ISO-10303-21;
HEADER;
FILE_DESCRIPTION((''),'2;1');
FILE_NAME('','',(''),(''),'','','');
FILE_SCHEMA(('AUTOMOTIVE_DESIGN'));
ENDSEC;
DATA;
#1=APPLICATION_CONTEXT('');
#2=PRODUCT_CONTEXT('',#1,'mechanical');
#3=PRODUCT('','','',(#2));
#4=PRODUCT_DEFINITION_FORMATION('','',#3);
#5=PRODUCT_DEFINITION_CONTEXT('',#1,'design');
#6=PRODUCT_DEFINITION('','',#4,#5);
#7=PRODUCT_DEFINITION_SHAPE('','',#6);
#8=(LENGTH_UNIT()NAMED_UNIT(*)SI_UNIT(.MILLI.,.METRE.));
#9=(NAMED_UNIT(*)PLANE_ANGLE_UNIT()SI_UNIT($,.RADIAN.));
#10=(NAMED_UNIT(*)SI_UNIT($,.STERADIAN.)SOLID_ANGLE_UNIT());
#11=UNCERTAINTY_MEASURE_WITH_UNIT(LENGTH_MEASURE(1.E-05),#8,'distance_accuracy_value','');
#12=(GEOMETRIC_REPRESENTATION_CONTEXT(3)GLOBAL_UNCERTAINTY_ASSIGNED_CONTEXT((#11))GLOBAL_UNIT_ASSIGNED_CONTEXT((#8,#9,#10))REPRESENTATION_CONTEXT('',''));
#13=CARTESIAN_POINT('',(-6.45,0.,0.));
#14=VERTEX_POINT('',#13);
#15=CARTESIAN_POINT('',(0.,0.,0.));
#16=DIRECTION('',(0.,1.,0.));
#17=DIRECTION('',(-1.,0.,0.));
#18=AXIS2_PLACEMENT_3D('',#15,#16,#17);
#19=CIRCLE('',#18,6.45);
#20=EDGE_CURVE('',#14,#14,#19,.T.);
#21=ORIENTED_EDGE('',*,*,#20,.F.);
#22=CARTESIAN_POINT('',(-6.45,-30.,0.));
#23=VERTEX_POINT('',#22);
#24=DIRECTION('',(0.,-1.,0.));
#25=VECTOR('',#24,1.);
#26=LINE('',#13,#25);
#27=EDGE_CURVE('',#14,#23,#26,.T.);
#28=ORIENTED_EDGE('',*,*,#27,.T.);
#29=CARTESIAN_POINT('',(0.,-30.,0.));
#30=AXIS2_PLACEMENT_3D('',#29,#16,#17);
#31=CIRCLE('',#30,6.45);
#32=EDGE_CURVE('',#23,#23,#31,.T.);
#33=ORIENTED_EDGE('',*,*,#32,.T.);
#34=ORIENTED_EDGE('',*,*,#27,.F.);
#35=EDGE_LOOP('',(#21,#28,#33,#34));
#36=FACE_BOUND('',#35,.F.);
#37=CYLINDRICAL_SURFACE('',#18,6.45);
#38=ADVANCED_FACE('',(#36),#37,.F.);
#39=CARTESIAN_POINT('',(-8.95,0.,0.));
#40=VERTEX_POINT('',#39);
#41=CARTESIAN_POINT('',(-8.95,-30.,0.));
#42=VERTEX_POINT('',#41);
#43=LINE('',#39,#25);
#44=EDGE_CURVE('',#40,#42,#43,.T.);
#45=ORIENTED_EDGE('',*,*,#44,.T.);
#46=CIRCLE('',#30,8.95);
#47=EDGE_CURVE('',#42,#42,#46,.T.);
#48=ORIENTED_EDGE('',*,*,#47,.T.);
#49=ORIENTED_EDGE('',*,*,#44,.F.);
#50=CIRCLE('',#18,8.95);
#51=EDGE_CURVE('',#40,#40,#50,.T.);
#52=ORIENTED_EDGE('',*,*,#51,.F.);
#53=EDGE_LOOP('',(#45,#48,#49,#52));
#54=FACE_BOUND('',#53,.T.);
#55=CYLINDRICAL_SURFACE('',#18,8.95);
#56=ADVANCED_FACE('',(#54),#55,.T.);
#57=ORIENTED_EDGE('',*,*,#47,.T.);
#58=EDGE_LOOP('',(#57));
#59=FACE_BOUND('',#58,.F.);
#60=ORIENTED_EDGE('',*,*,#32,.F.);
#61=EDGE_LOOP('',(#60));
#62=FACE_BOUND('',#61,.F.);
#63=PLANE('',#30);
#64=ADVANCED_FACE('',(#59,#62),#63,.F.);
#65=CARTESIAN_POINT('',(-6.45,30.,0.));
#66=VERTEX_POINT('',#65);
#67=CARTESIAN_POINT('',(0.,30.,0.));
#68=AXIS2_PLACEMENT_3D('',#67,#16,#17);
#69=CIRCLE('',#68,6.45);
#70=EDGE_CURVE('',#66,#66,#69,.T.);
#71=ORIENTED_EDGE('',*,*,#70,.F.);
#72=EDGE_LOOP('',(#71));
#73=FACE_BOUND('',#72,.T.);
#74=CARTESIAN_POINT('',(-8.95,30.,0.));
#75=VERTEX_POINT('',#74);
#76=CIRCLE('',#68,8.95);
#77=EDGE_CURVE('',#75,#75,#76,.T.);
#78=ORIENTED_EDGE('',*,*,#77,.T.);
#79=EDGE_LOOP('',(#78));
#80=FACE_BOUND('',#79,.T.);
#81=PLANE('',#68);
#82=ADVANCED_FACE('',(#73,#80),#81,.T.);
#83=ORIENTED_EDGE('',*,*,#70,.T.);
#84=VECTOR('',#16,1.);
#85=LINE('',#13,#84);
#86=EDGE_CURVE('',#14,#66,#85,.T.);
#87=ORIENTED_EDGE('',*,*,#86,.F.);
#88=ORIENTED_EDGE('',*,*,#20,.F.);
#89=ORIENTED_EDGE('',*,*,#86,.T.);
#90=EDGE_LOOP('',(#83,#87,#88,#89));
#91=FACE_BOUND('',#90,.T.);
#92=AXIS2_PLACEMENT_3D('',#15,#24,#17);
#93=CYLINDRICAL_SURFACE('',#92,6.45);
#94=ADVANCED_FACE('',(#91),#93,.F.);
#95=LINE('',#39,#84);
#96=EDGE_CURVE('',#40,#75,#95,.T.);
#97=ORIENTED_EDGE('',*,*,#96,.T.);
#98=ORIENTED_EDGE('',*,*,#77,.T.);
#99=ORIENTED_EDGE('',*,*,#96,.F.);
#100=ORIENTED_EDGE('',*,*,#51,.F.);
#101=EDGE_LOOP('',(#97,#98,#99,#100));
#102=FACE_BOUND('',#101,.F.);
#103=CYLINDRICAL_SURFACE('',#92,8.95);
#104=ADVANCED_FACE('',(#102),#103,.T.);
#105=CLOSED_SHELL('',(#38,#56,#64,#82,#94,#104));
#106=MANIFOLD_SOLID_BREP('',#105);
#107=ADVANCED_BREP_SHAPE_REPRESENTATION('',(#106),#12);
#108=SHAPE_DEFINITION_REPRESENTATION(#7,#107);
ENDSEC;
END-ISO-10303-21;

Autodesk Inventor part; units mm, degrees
ref_plane "YZ Plane" through (0, 0, 0) normal (1, 0, 0) x (0, 1, 0)
ref_plane "XZ Plane" through (0, 0, 0) normal (0, 1, 0) x (-1, 0, 0)
ref_plane "XY Plane" through (0, 0, 0) normal (0, 0, 1) x (1, 0, 0)
sketch "Sketch1" plane through (0, 0, 0) normal (0, 1, 0) x (-1, 0, 0)
  circle A0 centre (0, 0) radius 6.45
  circle A1 centre (0, 0) radius 8.95
  dimension "d0" = 12.9
  dimension "d1" = 17.9
extrude "Extrusion1" add sketch "Sketch1" along normal mid plane 60
properties part number "SP5V1 Camisa Freno" material "Stainless Steel"
